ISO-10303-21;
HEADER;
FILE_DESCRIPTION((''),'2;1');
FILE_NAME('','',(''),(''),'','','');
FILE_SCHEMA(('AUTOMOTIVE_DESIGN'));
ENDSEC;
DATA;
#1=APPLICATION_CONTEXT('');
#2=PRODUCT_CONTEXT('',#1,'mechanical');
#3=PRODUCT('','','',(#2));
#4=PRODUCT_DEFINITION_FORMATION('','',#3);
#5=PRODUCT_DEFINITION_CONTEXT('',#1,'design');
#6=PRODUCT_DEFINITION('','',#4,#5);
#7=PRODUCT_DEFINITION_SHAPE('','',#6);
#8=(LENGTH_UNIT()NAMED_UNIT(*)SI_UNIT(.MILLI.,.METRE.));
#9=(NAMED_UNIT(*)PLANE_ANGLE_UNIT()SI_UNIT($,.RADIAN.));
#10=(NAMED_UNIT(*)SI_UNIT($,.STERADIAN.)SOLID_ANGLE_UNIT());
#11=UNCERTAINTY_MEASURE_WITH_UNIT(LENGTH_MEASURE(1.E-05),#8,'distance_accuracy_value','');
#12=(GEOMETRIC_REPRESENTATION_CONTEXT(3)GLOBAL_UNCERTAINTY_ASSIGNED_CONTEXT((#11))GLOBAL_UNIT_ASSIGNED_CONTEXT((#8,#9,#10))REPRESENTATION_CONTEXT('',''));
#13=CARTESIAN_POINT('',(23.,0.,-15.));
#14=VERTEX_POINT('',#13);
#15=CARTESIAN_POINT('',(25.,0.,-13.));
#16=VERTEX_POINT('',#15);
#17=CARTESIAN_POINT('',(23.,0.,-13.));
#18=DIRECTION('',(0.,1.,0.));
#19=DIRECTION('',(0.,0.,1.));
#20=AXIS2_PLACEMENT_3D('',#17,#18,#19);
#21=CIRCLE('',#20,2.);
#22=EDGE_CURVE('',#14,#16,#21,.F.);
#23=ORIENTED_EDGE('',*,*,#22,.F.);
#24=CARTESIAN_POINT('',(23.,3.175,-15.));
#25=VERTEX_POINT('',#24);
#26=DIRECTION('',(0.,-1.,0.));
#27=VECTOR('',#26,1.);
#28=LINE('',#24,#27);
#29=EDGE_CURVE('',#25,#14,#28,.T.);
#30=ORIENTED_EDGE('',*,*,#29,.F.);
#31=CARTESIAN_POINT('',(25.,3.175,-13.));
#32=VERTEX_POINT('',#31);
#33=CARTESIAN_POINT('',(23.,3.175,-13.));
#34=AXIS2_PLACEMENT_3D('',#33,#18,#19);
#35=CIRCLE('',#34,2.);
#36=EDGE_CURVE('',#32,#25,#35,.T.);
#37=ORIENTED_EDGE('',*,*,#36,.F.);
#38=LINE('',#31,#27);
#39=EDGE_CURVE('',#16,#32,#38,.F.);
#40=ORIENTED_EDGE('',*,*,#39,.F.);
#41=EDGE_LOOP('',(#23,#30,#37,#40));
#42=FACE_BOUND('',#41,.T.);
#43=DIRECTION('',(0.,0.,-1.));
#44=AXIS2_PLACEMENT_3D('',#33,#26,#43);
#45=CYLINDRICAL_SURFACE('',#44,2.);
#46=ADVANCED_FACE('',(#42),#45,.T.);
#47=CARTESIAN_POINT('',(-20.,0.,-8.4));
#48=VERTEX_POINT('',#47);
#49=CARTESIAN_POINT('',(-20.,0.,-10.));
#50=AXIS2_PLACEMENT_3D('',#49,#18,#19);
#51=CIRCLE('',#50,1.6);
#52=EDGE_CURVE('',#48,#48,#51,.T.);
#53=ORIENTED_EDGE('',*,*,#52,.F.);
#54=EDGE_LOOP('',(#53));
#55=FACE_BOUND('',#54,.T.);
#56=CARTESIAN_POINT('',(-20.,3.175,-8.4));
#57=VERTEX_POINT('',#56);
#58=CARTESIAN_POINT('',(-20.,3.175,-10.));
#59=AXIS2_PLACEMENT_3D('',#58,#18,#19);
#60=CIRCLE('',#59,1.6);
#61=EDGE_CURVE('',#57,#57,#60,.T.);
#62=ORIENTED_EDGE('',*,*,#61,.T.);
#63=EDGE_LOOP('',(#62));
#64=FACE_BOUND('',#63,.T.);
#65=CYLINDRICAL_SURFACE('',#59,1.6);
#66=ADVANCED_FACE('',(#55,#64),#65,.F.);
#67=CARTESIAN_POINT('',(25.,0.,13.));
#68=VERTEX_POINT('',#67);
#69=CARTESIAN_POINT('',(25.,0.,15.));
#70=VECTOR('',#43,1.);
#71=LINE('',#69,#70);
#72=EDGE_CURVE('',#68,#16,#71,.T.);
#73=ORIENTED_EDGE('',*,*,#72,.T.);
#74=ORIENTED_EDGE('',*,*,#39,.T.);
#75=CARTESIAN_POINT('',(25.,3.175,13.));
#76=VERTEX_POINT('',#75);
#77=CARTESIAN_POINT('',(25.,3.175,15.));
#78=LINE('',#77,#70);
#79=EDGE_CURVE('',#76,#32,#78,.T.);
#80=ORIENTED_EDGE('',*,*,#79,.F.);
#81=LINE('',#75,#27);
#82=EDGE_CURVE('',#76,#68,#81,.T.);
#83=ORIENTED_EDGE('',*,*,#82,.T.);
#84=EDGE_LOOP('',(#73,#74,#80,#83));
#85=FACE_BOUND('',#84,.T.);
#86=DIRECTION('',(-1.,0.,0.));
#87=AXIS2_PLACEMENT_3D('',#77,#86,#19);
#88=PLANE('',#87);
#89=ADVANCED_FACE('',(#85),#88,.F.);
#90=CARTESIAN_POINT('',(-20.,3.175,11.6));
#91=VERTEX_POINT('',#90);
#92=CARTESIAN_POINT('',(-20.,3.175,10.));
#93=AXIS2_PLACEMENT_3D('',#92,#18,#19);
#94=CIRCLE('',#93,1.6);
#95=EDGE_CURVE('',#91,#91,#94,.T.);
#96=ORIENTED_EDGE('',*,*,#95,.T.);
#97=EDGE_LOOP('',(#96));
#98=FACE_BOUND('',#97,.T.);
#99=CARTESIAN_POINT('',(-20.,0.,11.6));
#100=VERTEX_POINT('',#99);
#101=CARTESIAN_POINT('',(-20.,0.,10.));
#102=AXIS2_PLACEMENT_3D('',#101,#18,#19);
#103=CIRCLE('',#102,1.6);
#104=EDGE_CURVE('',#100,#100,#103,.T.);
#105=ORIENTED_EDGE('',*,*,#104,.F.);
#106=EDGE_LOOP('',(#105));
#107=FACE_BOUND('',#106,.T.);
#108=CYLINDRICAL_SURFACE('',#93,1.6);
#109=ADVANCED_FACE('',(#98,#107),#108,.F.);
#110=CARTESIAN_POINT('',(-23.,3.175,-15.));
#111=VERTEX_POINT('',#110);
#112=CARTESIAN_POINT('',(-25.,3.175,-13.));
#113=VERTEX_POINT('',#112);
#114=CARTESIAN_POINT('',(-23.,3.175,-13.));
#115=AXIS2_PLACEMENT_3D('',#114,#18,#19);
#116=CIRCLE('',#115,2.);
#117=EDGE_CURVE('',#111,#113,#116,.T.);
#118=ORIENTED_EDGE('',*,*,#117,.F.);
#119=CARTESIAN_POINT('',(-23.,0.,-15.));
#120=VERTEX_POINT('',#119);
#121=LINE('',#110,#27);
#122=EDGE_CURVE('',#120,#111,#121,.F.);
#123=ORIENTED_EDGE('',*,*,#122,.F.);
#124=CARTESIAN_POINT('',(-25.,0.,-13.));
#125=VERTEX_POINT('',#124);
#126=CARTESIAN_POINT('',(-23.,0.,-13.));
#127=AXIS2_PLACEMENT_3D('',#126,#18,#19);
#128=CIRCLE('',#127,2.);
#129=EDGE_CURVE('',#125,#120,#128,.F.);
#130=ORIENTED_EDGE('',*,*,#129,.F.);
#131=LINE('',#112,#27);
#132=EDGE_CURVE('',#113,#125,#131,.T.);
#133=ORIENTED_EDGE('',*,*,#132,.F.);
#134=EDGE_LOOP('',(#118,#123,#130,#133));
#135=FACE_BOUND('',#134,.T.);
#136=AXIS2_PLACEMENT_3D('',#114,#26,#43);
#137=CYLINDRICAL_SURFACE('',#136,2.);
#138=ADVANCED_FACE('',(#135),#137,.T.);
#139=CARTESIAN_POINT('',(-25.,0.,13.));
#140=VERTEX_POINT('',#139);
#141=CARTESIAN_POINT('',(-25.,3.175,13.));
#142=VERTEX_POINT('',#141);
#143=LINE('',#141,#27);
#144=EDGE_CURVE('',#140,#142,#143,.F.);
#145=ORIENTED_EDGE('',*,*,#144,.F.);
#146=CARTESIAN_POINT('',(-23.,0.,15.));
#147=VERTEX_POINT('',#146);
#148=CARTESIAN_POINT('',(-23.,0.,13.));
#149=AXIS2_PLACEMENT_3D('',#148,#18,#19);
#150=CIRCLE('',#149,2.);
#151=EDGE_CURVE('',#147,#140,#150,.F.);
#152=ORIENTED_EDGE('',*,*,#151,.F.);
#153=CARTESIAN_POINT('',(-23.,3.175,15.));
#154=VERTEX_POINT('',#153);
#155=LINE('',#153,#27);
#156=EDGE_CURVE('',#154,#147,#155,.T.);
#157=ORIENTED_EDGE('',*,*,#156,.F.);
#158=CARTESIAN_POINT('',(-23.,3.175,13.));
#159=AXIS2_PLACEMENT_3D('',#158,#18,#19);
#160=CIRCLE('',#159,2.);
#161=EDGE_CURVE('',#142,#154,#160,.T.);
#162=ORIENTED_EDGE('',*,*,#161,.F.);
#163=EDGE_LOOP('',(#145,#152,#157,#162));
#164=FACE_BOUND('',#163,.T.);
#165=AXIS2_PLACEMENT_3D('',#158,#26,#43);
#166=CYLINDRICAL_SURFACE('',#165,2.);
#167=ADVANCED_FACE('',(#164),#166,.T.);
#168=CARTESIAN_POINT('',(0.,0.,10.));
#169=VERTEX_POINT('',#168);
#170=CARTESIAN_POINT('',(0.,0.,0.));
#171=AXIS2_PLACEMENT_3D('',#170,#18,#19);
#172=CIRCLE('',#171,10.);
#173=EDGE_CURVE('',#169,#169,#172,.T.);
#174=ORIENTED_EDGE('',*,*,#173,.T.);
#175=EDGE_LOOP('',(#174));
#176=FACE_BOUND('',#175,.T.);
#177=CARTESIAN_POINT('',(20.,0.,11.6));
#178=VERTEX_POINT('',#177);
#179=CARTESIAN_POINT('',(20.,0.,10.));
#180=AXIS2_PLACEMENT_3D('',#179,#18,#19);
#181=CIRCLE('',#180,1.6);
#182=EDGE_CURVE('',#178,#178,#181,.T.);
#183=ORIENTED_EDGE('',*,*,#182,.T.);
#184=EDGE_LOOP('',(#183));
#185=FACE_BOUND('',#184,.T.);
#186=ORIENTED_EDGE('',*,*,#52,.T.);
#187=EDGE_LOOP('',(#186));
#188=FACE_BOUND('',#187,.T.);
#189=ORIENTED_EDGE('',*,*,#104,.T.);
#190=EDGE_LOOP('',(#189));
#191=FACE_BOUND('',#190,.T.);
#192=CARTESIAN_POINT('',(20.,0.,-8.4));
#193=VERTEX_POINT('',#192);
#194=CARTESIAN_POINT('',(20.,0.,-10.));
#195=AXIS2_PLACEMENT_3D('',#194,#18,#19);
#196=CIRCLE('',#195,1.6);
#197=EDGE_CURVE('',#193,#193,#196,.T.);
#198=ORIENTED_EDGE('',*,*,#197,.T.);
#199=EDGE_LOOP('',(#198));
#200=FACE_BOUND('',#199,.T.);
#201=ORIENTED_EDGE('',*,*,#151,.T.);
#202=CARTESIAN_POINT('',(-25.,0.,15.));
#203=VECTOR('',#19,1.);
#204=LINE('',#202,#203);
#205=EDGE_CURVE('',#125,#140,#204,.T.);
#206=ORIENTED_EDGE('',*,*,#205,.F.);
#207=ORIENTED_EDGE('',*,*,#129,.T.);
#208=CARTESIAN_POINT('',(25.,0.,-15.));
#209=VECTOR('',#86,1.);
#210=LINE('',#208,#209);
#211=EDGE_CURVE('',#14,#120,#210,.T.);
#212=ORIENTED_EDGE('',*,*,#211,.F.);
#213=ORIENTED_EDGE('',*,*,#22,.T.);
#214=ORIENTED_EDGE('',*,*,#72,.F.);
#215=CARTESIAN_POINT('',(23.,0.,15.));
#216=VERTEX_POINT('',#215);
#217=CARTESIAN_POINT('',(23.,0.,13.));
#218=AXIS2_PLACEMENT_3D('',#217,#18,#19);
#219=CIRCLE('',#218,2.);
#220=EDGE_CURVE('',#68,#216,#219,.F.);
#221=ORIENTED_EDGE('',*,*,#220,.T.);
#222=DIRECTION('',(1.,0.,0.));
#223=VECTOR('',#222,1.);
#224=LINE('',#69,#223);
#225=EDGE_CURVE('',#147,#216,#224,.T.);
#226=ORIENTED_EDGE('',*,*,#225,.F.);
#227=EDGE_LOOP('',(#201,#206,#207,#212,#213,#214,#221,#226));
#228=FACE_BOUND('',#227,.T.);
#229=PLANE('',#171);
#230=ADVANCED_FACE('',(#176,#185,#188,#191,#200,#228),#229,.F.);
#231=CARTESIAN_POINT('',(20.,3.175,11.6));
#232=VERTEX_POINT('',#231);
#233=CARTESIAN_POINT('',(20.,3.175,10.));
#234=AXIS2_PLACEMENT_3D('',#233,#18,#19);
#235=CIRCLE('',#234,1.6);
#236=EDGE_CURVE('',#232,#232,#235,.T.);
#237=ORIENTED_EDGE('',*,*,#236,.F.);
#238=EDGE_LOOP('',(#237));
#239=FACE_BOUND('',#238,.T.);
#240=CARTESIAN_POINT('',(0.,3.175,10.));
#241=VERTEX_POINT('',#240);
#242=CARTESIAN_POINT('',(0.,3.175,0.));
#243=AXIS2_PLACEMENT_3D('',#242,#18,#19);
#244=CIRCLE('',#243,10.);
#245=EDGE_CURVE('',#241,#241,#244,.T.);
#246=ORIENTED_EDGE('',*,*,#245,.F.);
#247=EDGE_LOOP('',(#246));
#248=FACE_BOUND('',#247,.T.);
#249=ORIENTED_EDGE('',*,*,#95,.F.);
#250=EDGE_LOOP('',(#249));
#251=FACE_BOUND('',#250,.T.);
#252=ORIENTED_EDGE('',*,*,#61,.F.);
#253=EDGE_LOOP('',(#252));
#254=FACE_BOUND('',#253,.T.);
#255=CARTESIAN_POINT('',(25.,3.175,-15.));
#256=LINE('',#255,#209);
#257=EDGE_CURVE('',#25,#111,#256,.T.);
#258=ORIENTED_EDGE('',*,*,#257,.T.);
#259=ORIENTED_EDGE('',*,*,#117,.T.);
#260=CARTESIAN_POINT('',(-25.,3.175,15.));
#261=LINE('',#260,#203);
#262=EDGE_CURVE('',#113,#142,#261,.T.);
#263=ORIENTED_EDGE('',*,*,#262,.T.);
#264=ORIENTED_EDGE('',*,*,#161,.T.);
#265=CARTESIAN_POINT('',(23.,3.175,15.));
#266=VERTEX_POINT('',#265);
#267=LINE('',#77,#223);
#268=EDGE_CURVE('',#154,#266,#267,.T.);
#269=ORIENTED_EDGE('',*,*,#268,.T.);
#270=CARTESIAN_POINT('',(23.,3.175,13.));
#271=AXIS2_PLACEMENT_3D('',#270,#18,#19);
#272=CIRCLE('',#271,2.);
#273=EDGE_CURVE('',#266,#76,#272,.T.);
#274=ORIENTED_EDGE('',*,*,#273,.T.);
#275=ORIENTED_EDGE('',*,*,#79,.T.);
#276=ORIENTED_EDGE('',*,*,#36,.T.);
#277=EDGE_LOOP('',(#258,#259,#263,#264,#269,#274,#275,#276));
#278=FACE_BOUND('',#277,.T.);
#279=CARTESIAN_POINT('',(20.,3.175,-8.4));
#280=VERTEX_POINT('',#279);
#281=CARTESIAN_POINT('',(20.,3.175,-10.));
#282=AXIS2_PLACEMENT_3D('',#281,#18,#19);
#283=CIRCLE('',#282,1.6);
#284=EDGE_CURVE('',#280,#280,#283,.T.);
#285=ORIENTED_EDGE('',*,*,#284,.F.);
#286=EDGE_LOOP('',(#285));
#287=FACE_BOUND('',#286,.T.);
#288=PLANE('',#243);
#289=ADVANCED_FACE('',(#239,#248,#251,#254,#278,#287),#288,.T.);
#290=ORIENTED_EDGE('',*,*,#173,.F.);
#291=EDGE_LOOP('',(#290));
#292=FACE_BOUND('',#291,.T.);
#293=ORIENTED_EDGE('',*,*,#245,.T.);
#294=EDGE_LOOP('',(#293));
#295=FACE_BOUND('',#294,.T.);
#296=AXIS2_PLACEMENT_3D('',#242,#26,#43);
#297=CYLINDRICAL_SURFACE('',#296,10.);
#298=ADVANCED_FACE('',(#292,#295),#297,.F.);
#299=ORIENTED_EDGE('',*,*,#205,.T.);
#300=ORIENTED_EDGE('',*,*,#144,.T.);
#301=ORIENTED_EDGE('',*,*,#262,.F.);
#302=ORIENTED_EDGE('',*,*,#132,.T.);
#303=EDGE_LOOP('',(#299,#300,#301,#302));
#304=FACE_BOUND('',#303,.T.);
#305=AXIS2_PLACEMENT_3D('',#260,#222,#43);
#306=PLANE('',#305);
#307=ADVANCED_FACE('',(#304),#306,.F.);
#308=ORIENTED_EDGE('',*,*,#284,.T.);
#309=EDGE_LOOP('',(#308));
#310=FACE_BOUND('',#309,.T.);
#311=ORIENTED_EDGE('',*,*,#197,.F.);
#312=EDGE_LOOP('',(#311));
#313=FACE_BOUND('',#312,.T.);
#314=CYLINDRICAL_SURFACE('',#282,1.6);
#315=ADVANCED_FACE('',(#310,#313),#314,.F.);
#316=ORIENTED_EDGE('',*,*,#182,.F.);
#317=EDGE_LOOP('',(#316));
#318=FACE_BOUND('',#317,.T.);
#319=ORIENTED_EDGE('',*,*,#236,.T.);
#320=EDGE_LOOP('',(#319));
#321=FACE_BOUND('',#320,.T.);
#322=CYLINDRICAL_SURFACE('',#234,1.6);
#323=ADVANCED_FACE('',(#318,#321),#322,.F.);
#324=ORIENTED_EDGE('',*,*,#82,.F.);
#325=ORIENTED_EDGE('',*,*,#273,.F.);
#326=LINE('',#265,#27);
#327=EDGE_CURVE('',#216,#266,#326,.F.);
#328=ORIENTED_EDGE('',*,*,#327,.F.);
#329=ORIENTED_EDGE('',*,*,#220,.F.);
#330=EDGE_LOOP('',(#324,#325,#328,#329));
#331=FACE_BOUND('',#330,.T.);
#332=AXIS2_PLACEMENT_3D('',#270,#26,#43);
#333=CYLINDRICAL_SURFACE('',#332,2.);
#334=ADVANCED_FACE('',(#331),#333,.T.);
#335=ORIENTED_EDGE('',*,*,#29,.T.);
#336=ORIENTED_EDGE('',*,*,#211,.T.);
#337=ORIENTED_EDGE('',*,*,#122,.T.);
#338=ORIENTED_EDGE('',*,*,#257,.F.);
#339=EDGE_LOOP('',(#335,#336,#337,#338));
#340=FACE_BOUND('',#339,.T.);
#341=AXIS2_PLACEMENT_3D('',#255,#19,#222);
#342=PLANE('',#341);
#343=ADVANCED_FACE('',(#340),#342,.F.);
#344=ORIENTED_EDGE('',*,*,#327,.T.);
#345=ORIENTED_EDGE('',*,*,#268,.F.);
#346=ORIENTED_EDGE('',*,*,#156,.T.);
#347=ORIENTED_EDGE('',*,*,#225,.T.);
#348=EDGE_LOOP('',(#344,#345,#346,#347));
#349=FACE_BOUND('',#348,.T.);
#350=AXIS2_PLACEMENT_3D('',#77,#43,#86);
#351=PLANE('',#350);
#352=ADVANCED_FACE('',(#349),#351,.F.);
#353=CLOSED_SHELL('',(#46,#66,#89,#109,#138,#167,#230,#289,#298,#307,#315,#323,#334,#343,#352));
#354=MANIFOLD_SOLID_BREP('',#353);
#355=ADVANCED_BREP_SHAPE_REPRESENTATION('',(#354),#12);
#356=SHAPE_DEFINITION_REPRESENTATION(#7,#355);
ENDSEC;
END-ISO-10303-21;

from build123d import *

# Parameters (mm, degrees)
SKETCH1_W                = 50
SKETCH1_H                = 30
SKETCH1_R                = 10
BOSS_EXTRUDE1_DEPTH      = 3.175
M3_CLEARANCE_HOLE1_D     = 3.2
M3_CLEARANCE_HOLE1_DEPTH = 3.175
FILLET1_R                = 2


with BuildPart() as part:
    # Sketch1 → Boss-Extrude1 (new body)
    with BuildSketch(Plane(origin=(0, 0, 0), x_dir=(1, 0, 0), z_dir=(0, 1, 0))):
        Rectangle(SKETCH1_W, SKETCH1_H)
        with Locations(Location((0, 0, 0), (0, 0, 270))):
            Circle(SKETCH1_R, mode=Mode.SUBTRACT)
    extrude(amount=BOSS_EXTRUDE1_DEPTH)

    # M3 Clearance Hole1
    with Locations(Plane(origin=(0, 3.175, 0), x_dir=(1, 0, 0), z_dir=(0, 1, 0))):
        with Locations((0, 0), (-20, 10), (20, -10), (20, 10), (-20, -10)):
            Hole(M3_CLEARANCE_HOLE1_D / 2, depth=M3_CLEARANCE_HOLE1_DEPTH)

    # Fillet1
    fillet1_edges = [part.edges().sort_by_distance(p)[0] for p in [
        (-25, 1.5875, -15),
        (25, 1.5875, -15),
        (25, 1.5875, 15),
        (-25, 1.5875, 15),
    ]]
    fillet(fillet1_edges, radius=FILLET1_R)


solid = part.part
